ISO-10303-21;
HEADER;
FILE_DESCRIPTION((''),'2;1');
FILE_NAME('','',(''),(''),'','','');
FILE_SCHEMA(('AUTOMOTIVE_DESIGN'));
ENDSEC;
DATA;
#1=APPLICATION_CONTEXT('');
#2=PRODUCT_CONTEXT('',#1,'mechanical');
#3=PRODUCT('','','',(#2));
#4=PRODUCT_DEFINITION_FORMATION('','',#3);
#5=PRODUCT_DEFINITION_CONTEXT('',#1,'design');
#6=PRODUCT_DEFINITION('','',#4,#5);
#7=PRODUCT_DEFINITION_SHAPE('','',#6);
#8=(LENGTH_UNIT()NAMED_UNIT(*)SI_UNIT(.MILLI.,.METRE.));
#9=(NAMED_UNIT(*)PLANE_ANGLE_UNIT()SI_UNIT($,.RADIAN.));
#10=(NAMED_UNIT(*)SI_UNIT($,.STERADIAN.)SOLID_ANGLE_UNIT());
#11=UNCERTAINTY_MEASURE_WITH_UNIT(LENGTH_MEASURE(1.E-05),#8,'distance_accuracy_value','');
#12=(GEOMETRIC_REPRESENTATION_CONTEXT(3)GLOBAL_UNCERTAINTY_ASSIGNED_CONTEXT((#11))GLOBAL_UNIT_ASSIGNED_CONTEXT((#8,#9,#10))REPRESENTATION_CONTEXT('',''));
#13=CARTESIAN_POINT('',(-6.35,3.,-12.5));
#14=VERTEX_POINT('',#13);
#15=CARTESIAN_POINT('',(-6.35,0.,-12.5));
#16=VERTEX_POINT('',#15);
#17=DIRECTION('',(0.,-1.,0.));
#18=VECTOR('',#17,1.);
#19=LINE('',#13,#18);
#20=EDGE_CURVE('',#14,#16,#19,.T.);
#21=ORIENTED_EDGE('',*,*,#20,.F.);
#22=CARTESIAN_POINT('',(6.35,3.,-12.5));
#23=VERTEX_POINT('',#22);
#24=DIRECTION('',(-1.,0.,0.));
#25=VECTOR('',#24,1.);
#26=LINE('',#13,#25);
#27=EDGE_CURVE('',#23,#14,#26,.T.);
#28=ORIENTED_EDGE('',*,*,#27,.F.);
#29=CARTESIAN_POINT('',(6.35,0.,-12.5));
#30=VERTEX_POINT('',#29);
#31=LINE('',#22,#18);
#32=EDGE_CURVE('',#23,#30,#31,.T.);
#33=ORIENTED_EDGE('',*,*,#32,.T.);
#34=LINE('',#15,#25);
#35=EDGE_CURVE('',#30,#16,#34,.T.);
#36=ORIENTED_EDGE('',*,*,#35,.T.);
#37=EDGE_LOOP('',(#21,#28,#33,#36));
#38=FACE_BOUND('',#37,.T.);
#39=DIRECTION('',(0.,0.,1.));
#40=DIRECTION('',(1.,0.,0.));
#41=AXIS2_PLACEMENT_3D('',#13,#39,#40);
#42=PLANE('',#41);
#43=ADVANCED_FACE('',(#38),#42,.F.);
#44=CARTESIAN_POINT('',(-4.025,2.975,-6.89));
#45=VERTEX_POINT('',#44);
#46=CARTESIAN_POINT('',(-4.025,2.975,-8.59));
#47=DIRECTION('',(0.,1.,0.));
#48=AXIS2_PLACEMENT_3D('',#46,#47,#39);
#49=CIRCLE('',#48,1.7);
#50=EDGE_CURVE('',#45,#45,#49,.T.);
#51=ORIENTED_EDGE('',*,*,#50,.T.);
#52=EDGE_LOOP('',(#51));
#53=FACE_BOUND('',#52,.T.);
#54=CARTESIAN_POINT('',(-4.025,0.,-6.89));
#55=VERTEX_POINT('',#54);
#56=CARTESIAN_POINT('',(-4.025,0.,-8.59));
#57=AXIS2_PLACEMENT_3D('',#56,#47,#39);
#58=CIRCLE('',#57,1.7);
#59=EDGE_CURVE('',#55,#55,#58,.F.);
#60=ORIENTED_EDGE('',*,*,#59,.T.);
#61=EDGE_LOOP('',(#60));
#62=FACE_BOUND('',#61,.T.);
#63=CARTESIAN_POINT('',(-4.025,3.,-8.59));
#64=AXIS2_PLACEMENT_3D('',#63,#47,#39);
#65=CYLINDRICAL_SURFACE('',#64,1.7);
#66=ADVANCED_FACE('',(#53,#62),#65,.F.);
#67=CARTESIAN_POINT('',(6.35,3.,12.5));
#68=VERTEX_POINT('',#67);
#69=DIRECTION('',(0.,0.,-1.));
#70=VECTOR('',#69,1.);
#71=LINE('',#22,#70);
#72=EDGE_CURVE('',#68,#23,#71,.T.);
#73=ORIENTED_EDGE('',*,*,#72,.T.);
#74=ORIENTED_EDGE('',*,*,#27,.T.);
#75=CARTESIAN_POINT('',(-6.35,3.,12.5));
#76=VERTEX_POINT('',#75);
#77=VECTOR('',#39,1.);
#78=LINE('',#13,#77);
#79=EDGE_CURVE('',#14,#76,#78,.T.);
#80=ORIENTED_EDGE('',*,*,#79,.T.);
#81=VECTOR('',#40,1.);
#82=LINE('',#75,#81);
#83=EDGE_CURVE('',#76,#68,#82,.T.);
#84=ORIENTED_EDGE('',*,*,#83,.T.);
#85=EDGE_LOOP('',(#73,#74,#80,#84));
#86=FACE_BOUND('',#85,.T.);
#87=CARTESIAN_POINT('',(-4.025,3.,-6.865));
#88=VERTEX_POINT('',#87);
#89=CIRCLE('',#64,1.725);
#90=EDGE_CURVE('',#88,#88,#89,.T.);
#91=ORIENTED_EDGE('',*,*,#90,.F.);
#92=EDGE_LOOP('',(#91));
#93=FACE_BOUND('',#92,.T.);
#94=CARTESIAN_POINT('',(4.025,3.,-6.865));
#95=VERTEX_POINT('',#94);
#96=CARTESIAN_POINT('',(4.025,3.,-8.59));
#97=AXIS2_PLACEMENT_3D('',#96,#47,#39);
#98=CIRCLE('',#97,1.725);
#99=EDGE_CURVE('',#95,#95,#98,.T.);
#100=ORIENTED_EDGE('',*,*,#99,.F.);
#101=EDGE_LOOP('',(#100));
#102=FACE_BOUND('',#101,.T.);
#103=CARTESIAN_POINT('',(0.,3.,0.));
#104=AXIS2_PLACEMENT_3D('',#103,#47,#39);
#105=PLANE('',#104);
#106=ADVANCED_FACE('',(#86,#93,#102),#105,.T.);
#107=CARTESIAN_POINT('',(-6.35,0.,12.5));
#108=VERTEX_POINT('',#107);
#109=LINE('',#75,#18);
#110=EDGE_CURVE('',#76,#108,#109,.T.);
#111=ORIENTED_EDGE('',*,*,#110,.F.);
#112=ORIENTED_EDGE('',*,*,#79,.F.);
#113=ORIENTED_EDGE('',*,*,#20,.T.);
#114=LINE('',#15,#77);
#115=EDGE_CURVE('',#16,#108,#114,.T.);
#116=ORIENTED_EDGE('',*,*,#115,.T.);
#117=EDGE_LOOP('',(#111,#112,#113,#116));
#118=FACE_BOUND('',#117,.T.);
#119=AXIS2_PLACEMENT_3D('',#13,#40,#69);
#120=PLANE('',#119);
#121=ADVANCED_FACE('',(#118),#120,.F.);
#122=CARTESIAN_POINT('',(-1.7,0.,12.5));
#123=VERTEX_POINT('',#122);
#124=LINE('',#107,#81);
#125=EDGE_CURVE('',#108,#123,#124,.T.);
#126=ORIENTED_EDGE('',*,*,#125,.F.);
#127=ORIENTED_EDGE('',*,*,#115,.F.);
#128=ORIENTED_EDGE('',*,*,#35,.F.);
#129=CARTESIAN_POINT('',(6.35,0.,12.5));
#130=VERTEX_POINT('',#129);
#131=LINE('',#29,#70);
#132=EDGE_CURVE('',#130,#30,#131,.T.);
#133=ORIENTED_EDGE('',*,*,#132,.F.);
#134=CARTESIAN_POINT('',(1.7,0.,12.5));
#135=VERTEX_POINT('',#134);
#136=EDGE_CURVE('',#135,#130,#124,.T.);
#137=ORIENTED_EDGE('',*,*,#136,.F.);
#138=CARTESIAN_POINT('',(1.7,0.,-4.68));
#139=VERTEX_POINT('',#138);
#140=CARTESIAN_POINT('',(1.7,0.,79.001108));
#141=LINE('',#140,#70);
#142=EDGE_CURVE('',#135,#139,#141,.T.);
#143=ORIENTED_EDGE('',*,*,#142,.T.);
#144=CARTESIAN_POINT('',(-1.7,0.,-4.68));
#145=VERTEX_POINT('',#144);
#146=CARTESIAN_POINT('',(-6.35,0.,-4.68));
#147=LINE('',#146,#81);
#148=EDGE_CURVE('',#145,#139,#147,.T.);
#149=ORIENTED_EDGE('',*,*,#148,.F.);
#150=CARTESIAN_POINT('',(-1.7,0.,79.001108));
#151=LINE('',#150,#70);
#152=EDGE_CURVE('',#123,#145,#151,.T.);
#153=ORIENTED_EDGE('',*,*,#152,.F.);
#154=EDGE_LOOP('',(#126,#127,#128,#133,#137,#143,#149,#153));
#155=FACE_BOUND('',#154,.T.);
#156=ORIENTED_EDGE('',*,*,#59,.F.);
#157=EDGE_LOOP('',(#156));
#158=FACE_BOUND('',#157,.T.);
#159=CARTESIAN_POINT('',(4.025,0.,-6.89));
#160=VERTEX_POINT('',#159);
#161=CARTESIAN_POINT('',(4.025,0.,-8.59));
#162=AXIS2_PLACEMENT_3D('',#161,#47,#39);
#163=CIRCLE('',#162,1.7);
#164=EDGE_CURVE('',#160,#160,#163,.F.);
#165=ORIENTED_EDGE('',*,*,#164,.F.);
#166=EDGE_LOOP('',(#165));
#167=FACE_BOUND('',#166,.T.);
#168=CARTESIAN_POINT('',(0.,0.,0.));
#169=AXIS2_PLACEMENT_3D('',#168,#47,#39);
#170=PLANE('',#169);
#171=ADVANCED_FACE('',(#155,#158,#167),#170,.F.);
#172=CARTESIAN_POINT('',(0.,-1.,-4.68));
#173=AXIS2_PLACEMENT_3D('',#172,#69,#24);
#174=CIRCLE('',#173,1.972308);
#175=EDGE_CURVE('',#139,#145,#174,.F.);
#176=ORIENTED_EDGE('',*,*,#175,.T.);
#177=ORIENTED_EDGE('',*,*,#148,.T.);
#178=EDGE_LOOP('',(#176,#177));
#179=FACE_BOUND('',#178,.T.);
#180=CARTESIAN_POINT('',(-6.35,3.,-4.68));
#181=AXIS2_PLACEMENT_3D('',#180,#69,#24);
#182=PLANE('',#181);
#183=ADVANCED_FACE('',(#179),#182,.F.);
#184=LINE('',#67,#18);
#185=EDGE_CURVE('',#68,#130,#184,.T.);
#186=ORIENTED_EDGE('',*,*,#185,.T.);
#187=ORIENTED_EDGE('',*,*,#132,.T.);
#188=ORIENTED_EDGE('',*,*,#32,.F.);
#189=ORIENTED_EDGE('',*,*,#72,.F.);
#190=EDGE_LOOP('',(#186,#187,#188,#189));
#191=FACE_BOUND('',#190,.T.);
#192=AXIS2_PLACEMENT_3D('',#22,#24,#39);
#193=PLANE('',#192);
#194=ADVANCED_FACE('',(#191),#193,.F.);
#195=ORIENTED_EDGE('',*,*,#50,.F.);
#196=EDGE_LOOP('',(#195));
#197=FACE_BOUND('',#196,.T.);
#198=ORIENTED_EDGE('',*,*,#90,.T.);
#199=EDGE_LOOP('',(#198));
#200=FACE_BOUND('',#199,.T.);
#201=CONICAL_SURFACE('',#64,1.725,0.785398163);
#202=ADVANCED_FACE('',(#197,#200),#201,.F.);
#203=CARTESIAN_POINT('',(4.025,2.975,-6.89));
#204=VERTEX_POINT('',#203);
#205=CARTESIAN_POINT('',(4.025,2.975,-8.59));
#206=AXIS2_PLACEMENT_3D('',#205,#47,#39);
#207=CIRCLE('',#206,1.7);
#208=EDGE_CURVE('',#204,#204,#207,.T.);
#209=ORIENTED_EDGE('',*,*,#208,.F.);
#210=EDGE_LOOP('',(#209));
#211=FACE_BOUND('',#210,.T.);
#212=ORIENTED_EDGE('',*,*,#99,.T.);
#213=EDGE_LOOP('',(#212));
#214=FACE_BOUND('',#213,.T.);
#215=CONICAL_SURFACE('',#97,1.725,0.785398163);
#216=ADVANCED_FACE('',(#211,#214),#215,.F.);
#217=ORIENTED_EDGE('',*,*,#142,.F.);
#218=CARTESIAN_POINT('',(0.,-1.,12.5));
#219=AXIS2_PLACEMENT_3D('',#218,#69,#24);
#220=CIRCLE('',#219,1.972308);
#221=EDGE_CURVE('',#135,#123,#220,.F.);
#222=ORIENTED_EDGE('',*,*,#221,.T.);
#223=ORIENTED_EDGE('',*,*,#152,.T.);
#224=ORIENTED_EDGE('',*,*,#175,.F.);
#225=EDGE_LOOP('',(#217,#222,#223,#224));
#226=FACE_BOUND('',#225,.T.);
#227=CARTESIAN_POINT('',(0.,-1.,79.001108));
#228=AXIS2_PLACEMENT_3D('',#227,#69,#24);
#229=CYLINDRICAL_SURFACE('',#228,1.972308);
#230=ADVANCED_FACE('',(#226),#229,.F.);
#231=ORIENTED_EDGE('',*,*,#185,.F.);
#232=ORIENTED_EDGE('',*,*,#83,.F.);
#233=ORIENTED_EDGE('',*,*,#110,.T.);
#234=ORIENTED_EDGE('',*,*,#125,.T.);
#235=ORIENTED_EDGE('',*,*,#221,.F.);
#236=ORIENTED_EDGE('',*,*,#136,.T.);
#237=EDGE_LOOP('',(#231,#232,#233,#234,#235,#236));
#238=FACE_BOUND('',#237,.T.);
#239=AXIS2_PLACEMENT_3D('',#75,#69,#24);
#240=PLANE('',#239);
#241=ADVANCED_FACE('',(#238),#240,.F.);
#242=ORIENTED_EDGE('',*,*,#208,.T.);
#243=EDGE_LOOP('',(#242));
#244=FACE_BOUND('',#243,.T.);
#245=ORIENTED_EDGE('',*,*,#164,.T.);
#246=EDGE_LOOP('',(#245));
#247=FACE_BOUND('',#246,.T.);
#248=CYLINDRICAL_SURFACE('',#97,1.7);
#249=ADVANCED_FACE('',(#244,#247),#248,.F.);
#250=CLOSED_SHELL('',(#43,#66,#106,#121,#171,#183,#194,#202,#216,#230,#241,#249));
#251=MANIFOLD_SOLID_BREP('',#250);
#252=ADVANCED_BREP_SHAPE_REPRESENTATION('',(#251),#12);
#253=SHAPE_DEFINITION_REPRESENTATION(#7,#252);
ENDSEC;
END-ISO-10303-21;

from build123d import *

# Parameters (mm, degrees)
SKETCH1_W                      = 12.7
SKETCH1_H                      = 25
BOSS_EXTRUDE1_DEPTH            = 3
CUT_EXTRUDE1_DEPTH             = 26.967720347
CUT_EXTRUDE1_DEPTH_BACK        = 17.18
M3_CLEARANCE_HOLE1_D           = 3.4
M3_CLEARANCE_HOLE1_DEPTH       = 3
M3_CLEARANCE_HOLE1_CSINK_D     = 3.45
M3_CLEARANCE_HOLE1_CSINK_ANGLE = 90
M3_CLEARANCE_HOLE1_TIP         = 1.021463052


with BuildPart() as part:
    # Sketch1 → Boss-Extrude1 (new body)
    with BuildSketch(Plane(origin=(0, 0, 0), x_dir=(1, 0, 0), z_dir=(0, 1, 0))):
        Rectangle(SKETCH1_W, SKETCH1_H)
    extrude(amount=BOSS_EXTRUDE1_DEPTH)

    # Sketch2 → Cut-Extrude1 (cut, two sides: drawn at the far end of the back side and taken through both)
    with BuildSketch(Plane.XY.offset(12.5).offset(-CUT_EXTRUDE1_DEPTH_BACK)):
        with BuildLine():
            Line((-15.481656951, -23.428816816), (-1.7, 0))
            ThreePointArc((-1.7, 0), (0, 0.972308292), (1.7, 0))
            Line((1.7, 0), (15.481656951, -23.428816816))
            Line((15.481656951, -23.428816816), (15.481656951, -77.792169389))
            Line((15.481656951, -77.792169389), (-15.481656951, -77.792169389))
            Line((-15.481656951, -77.792169389), (-15.481656951, -23.428816816))
        make_face()
    extrude(amount=CUT_EXTRUDE1_DEPTH + CUT_EXTRUDE1_DEPTH_BACK, mode=Mode.SUBTRACT)

    # M3 Clearance Hole1
    with Locations(Plane(origin=(0, 3, 0), x_dir=(1, 0, 0), z_dir=(0, 1, 0))):
        with Locations((-4.025, 8.59), (4.025, 8.59)):
            CounterSinkHole(M3_CLEARANCE_HOLE1_D / 2, M3_CLEARANCE_HOLE1_CSINK_D / 2, depth=M3_CLEARANCE_HOLE1_DEPTH, counter_sink_angle=M3_CLEARANCE_HOLE1_CSINK_ANGLE)
            with Locations((0, 0, -(M3_CLEARANCE_HOLE1_DEPTH + M3_CLEARANCE_HOLE1_TIP / 2))):  # 118° drill point
                Cone(0, M3_CLEARANCE_HOLE1_D / 2, M3_CLEARANCE_HOLE1_TIP, mode=Mode.SUBTRACT)


solid = part.part
